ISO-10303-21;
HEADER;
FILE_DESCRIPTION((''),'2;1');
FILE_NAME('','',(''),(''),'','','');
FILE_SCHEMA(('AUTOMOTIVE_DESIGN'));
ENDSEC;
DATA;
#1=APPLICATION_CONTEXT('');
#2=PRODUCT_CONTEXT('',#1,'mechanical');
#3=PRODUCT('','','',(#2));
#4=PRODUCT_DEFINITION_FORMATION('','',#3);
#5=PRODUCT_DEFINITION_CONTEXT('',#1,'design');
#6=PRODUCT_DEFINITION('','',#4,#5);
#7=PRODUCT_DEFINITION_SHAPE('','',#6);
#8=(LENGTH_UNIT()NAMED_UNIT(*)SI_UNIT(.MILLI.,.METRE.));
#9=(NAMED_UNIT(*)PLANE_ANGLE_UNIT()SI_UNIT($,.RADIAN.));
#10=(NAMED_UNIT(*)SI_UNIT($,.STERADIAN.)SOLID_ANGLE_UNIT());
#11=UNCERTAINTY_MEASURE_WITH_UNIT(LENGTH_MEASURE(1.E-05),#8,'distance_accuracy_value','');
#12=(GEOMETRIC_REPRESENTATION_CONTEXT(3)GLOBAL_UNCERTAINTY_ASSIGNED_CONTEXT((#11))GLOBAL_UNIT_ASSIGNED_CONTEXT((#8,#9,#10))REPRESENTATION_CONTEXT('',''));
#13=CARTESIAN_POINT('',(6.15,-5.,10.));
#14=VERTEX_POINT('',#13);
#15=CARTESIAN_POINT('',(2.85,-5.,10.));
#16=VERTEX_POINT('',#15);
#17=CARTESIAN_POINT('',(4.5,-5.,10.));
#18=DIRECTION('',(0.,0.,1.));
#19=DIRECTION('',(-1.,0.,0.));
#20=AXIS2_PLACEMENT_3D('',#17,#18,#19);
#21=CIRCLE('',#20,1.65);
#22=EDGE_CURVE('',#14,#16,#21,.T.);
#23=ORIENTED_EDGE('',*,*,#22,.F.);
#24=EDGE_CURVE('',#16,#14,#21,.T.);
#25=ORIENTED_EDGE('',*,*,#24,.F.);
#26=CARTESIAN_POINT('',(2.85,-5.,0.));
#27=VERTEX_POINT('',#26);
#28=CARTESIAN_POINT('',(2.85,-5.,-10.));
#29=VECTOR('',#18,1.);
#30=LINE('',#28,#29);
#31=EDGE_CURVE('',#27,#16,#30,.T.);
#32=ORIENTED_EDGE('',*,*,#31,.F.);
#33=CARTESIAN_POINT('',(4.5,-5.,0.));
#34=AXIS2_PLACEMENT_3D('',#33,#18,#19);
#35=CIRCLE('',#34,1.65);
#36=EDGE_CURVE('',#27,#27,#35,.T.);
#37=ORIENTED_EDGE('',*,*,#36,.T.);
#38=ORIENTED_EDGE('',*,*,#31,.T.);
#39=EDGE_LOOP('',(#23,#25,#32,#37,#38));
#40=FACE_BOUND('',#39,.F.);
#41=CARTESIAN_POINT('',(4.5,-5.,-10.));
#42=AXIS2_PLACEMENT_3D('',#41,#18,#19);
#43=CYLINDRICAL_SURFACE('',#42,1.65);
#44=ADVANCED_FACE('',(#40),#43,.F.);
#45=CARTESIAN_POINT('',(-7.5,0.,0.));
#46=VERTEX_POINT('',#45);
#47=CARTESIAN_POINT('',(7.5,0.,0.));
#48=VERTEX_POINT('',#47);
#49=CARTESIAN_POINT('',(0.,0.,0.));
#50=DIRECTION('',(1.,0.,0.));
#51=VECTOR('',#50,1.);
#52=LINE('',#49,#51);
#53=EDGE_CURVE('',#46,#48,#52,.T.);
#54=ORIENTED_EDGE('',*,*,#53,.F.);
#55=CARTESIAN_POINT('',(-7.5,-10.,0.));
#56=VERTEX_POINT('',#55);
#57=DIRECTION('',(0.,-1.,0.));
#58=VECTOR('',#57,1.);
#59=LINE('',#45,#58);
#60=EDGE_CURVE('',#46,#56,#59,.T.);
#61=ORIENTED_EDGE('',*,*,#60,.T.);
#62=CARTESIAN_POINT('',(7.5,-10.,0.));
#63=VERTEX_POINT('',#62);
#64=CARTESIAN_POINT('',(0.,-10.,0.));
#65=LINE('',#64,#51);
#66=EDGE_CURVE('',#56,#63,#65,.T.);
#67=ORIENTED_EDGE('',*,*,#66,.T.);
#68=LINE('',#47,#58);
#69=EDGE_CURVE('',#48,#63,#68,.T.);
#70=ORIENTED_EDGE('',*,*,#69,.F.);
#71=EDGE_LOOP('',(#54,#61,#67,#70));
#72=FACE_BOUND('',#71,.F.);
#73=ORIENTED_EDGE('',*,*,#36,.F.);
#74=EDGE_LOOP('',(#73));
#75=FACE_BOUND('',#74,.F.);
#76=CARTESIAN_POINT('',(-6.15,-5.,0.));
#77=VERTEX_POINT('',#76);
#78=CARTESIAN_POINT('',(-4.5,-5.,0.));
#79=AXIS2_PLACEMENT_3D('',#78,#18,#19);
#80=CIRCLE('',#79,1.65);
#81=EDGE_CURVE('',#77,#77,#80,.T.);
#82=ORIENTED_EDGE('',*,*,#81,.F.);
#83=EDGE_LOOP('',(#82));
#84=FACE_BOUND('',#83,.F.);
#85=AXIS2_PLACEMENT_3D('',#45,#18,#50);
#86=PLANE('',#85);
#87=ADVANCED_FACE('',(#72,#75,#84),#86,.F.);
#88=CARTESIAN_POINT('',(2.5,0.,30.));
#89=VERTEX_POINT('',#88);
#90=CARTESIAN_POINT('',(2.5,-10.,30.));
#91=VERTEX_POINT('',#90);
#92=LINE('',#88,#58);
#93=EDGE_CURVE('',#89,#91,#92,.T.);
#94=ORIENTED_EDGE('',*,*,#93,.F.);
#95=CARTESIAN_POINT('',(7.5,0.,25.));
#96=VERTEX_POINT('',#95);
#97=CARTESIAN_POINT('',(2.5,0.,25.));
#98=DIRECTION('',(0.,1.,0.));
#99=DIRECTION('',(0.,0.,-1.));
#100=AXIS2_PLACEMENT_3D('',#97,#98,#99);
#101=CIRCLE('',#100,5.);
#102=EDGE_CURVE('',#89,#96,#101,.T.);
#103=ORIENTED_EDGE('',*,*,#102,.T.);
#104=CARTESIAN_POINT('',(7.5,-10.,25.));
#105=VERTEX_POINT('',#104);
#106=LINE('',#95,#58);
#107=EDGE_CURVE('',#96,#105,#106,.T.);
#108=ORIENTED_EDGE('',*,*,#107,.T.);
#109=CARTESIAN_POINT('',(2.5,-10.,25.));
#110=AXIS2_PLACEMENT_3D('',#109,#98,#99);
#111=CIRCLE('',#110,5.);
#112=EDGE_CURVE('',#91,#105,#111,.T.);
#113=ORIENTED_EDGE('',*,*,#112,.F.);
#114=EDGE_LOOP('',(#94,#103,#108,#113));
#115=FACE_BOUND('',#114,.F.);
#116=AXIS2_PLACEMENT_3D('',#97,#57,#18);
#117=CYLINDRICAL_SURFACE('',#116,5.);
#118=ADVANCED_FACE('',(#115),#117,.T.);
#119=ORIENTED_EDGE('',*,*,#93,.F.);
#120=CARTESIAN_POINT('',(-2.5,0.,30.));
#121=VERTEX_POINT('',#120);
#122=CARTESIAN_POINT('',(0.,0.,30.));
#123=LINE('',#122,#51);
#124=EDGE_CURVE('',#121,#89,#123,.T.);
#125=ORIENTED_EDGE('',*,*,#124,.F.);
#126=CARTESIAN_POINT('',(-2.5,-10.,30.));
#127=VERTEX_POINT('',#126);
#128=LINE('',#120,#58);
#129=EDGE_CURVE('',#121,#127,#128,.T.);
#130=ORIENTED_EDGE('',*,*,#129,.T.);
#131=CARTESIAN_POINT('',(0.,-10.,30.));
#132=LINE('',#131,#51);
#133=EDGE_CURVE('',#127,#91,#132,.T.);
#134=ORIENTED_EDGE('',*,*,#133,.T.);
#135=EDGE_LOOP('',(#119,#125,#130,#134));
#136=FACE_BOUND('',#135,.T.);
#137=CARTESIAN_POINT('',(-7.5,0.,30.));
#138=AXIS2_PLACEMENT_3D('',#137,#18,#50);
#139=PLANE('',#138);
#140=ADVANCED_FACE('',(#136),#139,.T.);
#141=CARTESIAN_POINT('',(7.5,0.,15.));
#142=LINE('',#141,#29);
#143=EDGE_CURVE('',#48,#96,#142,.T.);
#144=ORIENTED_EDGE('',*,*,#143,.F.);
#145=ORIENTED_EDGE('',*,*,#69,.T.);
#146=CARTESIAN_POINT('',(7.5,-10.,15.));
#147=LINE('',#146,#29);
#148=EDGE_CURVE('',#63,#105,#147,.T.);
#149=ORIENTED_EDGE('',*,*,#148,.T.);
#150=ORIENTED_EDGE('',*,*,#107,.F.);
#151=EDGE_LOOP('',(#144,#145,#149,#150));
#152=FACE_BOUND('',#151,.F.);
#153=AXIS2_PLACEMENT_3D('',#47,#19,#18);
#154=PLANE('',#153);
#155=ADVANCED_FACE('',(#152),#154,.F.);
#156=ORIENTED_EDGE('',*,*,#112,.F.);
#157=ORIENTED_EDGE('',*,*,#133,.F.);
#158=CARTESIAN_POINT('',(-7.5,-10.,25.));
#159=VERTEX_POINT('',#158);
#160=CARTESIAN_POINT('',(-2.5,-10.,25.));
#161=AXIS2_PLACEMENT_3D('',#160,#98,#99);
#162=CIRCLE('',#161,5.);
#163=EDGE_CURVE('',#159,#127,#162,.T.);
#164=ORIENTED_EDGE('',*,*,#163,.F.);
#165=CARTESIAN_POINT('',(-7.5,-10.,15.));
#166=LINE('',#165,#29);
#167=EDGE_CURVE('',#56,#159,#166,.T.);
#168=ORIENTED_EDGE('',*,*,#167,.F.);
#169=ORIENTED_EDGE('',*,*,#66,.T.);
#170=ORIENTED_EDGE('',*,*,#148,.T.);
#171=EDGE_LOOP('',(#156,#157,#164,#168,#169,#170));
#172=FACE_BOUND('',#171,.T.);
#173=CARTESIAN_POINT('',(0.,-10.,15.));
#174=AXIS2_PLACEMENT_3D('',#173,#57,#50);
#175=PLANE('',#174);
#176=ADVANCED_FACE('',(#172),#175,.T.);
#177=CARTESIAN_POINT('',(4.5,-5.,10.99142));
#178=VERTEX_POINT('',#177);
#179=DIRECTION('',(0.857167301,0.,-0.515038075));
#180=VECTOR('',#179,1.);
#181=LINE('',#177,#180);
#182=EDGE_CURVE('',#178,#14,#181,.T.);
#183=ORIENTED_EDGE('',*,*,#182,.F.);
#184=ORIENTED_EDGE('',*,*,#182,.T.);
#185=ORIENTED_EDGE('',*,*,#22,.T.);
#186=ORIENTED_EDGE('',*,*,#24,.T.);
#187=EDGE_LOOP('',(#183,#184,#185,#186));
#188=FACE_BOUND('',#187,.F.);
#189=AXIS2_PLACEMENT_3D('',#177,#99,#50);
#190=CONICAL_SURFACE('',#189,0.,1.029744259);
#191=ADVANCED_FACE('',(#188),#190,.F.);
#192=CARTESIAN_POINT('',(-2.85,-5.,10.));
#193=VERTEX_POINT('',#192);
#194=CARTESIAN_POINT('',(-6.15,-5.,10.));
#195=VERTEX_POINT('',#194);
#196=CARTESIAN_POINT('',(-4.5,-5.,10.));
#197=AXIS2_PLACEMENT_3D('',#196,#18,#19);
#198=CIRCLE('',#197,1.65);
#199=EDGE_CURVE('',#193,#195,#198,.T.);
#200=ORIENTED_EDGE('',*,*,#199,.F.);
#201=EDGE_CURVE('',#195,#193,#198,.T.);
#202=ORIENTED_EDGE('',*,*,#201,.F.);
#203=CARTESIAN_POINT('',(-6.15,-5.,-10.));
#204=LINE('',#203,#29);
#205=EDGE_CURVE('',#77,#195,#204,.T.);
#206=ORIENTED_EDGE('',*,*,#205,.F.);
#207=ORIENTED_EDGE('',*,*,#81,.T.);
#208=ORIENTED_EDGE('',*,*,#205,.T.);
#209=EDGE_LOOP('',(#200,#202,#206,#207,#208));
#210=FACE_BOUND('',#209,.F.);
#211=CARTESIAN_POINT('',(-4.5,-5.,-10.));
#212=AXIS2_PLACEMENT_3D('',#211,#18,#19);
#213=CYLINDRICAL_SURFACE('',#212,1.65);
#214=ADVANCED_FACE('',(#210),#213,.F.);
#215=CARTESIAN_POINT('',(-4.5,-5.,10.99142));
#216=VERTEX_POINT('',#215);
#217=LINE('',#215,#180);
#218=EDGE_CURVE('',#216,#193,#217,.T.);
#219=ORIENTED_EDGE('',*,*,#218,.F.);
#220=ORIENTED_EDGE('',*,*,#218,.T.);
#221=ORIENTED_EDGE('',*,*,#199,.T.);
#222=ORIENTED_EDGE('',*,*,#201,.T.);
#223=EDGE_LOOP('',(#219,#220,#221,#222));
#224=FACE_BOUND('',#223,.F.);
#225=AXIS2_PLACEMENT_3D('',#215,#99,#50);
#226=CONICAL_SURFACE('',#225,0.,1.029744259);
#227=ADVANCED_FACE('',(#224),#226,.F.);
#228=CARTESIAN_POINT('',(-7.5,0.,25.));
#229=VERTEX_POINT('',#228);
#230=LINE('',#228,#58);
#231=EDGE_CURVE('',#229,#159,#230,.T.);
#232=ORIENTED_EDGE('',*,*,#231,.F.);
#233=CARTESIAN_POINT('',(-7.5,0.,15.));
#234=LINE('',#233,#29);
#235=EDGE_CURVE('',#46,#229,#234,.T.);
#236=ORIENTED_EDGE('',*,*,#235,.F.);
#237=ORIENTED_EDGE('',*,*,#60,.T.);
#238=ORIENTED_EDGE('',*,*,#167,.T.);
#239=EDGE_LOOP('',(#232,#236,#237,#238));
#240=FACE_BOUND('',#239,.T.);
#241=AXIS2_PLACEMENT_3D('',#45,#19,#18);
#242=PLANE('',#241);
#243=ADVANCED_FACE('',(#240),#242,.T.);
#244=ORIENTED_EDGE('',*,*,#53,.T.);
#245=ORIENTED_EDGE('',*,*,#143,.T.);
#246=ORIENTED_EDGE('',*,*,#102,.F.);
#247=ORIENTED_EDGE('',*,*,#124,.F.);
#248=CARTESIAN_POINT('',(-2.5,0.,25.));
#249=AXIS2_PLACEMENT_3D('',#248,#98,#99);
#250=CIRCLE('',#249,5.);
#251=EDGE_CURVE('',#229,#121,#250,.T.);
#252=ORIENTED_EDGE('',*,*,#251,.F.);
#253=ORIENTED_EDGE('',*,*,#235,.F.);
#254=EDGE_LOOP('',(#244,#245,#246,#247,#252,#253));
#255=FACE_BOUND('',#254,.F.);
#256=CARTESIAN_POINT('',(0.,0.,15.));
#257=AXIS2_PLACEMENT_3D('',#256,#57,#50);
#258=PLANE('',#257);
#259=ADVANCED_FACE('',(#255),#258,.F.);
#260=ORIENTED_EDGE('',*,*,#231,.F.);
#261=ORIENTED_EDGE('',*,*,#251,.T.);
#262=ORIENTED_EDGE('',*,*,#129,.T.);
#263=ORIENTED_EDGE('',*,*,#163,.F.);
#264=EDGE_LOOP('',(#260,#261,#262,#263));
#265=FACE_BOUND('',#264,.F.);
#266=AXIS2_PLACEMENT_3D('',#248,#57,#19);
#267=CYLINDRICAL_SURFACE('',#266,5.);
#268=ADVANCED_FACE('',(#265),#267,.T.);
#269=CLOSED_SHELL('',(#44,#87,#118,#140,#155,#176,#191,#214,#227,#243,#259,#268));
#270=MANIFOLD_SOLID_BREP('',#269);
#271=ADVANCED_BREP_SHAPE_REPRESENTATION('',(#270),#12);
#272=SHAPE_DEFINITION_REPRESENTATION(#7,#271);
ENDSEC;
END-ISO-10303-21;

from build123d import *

# Parameters (mm, degrees)
F0_W     = 15
F0_H     = 30
F1_DEPTH = 10
F3_D     = 3.3
F3_DEPTH = 10
F3_TIP   = 0.9914200214
F4_R     = 5


with BuildPart() as f1:
    # F0 (on Front) → F1 (new body)
    with BuildSketch(Plane.XZ):
        with Locations((0, 15)):
            Rectangle(F0_W, F0_H)
    extrude(amount=F1_DEPTH)

    # F3
    with Locations(Plane(origin=(0, 0, 0), x_dir=(1, 0, 0), z_dir=(0, 0, -1))):
        with Locations((-4.5, 5), (4.5, 5)):
            Hole(F3_D / 2, depth=F3_DEPTH)
            with Locations((0, 0, -(F3_DEPTH + F3_TIP / 2))):  # 118° drill point
                Cone(0, F3_D / 2, F3_TIP, mode=Mode.SUBTRACT)

    # F4
    f4_edges = [f1.edges().sort_by_distance(p)[0] for p in [
        (-7.5, -5, 30),
        (7.5, -5, 30),
    ]]
    fillet(f4_edges, radius=F4_R)


solid = f1.part
